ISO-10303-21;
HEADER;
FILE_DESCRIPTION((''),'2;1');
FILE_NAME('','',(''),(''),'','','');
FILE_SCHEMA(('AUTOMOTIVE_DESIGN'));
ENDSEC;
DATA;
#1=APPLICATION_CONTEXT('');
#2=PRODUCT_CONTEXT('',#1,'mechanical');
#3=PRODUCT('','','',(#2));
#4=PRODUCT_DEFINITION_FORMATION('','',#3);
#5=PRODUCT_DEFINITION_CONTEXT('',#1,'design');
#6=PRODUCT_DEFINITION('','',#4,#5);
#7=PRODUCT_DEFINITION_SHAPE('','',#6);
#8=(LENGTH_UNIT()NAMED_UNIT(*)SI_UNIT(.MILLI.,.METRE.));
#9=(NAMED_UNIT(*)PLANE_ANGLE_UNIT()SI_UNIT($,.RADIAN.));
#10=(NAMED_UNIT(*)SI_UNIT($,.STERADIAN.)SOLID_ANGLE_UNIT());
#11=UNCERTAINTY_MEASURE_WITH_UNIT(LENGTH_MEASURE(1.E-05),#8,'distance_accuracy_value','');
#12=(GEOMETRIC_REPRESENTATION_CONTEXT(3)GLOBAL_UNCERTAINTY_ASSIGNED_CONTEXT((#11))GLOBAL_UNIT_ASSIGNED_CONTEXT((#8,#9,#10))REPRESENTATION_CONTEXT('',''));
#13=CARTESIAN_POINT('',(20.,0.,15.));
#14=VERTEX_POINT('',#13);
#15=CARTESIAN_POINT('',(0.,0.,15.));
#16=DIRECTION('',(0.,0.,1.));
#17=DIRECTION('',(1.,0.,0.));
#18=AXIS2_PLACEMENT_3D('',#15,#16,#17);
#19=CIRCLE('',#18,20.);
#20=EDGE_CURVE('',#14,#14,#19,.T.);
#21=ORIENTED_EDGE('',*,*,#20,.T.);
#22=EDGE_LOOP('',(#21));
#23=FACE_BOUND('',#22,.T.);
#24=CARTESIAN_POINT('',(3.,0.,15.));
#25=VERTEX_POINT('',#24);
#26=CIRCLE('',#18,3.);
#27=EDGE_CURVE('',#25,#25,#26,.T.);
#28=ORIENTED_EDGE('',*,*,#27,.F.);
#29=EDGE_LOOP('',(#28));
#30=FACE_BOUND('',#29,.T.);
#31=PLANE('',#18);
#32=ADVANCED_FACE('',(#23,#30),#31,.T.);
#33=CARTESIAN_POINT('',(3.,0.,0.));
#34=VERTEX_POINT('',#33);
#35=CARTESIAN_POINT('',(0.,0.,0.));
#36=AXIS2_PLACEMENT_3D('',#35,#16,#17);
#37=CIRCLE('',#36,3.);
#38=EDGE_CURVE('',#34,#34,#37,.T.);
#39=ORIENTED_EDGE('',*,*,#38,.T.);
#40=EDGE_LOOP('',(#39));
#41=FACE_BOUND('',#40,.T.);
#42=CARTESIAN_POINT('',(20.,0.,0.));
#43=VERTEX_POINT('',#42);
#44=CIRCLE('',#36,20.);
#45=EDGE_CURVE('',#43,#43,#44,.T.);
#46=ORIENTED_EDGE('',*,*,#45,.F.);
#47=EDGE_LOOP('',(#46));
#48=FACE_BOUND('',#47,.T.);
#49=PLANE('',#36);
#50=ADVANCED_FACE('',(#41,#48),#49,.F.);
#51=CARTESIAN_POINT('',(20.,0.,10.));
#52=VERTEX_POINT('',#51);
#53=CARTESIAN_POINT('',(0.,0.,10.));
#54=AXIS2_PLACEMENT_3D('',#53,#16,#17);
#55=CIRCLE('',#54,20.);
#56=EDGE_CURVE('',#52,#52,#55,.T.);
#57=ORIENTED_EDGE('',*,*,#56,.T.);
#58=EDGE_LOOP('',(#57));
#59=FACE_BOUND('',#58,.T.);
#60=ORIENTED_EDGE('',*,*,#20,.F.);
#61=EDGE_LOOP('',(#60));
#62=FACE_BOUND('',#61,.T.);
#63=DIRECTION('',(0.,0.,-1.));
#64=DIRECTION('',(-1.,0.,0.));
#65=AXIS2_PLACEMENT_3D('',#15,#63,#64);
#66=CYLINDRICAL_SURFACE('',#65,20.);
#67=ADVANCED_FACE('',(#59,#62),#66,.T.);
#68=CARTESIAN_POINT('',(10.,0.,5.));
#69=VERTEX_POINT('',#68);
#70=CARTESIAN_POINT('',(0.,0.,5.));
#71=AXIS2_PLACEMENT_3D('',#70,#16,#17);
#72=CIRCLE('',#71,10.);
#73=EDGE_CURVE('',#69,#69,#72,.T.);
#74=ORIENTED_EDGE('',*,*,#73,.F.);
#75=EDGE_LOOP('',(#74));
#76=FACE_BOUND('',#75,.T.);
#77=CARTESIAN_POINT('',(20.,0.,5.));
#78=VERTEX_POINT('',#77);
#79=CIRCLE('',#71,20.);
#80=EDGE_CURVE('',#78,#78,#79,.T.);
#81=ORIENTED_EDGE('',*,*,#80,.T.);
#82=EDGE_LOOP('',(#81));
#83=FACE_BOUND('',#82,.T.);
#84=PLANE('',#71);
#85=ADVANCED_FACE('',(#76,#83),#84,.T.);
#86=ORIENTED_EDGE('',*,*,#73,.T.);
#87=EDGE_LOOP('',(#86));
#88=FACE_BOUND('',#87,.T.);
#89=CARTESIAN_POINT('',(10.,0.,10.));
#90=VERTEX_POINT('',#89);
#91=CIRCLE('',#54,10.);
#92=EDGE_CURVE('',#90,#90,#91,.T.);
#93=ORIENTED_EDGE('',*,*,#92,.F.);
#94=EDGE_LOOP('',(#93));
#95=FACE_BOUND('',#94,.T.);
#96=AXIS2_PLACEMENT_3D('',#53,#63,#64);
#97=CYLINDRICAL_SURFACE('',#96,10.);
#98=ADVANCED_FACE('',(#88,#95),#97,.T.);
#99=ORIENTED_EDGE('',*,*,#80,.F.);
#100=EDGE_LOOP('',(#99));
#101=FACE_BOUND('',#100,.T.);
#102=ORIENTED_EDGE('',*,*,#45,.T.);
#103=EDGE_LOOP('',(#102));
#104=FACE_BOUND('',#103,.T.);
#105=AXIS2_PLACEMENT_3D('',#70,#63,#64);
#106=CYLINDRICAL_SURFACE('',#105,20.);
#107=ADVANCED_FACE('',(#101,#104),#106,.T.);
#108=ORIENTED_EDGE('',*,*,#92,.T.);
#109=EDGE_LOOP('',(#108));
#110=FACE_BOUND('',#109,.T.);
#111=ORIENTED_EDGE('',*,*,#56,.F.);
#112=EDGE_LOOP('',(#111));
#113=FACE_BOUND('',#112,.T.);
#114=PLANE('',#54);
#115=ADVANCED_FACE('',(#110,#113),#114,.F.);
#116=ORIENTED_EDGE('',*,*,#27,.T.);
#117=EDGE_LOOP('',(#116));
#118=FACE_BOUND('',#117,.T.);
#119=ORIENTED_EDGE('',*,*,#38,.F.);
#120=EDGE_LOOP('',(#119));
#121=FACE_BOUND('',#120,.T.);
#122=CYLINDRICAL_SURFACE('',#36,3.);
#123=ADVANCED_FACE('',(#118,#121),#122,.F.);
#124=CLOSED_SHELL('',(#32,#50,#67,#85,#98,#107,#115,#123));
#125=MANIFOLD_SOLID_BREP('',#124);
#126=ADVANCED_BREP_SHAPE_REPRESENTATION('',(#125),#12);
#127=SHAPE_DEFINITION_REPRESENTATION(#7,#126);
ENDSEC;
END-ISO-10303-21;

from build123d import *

# Parameters (mm, degrees)
SKETCH1_R           = 20
BOSS_EXTRUDE1_DEPTH = 5
SKETCH2_R           = 10
BOSS_EXTRUDE2_DEPTH = 5
SKETCH3_R           = 20
BOSS_EXTRUDE3_DEPTH = 5
SKETCH4_R           = 3
CUT_EXTRUDE1_DEPTH  = 33.015621187


with BuildPart() as part:
    # Sketch1 → Boss-Extrude1 (new body)
    with BuildSketch(Plane.XY):
        Circle(SKETCH1_R)
    extrude(amount=BOSS_EXTRUDE1_DEPTH)

    # Sketch2 → Boss-Extrude2 (add)
    with BuildSketch(Plane.XY.offset(5)):
        Circle(SKETCH2_R)
    extrude(amount=BOSS_EXTRUDE2_DEPTH)

    # Sketch3 → Boss-Extrude3 (add)
    with BuildSketch(Plane.XY.offset(10)):
        Circle(SKETCH3_R)
    extrude(amount=BOSS_EXTRUDE3_DEPTH)

    # Sketch4 → Cut-Extrude1 (cut, through all)
    with BuildSketch(Plane.XY.offset(15)):
        Circle(SKETCH4_R)
    extrude(amount=-CUT_EXTRUDE1_DEPTH, mode=Mode.SUBTRACT)


solid = part.part
